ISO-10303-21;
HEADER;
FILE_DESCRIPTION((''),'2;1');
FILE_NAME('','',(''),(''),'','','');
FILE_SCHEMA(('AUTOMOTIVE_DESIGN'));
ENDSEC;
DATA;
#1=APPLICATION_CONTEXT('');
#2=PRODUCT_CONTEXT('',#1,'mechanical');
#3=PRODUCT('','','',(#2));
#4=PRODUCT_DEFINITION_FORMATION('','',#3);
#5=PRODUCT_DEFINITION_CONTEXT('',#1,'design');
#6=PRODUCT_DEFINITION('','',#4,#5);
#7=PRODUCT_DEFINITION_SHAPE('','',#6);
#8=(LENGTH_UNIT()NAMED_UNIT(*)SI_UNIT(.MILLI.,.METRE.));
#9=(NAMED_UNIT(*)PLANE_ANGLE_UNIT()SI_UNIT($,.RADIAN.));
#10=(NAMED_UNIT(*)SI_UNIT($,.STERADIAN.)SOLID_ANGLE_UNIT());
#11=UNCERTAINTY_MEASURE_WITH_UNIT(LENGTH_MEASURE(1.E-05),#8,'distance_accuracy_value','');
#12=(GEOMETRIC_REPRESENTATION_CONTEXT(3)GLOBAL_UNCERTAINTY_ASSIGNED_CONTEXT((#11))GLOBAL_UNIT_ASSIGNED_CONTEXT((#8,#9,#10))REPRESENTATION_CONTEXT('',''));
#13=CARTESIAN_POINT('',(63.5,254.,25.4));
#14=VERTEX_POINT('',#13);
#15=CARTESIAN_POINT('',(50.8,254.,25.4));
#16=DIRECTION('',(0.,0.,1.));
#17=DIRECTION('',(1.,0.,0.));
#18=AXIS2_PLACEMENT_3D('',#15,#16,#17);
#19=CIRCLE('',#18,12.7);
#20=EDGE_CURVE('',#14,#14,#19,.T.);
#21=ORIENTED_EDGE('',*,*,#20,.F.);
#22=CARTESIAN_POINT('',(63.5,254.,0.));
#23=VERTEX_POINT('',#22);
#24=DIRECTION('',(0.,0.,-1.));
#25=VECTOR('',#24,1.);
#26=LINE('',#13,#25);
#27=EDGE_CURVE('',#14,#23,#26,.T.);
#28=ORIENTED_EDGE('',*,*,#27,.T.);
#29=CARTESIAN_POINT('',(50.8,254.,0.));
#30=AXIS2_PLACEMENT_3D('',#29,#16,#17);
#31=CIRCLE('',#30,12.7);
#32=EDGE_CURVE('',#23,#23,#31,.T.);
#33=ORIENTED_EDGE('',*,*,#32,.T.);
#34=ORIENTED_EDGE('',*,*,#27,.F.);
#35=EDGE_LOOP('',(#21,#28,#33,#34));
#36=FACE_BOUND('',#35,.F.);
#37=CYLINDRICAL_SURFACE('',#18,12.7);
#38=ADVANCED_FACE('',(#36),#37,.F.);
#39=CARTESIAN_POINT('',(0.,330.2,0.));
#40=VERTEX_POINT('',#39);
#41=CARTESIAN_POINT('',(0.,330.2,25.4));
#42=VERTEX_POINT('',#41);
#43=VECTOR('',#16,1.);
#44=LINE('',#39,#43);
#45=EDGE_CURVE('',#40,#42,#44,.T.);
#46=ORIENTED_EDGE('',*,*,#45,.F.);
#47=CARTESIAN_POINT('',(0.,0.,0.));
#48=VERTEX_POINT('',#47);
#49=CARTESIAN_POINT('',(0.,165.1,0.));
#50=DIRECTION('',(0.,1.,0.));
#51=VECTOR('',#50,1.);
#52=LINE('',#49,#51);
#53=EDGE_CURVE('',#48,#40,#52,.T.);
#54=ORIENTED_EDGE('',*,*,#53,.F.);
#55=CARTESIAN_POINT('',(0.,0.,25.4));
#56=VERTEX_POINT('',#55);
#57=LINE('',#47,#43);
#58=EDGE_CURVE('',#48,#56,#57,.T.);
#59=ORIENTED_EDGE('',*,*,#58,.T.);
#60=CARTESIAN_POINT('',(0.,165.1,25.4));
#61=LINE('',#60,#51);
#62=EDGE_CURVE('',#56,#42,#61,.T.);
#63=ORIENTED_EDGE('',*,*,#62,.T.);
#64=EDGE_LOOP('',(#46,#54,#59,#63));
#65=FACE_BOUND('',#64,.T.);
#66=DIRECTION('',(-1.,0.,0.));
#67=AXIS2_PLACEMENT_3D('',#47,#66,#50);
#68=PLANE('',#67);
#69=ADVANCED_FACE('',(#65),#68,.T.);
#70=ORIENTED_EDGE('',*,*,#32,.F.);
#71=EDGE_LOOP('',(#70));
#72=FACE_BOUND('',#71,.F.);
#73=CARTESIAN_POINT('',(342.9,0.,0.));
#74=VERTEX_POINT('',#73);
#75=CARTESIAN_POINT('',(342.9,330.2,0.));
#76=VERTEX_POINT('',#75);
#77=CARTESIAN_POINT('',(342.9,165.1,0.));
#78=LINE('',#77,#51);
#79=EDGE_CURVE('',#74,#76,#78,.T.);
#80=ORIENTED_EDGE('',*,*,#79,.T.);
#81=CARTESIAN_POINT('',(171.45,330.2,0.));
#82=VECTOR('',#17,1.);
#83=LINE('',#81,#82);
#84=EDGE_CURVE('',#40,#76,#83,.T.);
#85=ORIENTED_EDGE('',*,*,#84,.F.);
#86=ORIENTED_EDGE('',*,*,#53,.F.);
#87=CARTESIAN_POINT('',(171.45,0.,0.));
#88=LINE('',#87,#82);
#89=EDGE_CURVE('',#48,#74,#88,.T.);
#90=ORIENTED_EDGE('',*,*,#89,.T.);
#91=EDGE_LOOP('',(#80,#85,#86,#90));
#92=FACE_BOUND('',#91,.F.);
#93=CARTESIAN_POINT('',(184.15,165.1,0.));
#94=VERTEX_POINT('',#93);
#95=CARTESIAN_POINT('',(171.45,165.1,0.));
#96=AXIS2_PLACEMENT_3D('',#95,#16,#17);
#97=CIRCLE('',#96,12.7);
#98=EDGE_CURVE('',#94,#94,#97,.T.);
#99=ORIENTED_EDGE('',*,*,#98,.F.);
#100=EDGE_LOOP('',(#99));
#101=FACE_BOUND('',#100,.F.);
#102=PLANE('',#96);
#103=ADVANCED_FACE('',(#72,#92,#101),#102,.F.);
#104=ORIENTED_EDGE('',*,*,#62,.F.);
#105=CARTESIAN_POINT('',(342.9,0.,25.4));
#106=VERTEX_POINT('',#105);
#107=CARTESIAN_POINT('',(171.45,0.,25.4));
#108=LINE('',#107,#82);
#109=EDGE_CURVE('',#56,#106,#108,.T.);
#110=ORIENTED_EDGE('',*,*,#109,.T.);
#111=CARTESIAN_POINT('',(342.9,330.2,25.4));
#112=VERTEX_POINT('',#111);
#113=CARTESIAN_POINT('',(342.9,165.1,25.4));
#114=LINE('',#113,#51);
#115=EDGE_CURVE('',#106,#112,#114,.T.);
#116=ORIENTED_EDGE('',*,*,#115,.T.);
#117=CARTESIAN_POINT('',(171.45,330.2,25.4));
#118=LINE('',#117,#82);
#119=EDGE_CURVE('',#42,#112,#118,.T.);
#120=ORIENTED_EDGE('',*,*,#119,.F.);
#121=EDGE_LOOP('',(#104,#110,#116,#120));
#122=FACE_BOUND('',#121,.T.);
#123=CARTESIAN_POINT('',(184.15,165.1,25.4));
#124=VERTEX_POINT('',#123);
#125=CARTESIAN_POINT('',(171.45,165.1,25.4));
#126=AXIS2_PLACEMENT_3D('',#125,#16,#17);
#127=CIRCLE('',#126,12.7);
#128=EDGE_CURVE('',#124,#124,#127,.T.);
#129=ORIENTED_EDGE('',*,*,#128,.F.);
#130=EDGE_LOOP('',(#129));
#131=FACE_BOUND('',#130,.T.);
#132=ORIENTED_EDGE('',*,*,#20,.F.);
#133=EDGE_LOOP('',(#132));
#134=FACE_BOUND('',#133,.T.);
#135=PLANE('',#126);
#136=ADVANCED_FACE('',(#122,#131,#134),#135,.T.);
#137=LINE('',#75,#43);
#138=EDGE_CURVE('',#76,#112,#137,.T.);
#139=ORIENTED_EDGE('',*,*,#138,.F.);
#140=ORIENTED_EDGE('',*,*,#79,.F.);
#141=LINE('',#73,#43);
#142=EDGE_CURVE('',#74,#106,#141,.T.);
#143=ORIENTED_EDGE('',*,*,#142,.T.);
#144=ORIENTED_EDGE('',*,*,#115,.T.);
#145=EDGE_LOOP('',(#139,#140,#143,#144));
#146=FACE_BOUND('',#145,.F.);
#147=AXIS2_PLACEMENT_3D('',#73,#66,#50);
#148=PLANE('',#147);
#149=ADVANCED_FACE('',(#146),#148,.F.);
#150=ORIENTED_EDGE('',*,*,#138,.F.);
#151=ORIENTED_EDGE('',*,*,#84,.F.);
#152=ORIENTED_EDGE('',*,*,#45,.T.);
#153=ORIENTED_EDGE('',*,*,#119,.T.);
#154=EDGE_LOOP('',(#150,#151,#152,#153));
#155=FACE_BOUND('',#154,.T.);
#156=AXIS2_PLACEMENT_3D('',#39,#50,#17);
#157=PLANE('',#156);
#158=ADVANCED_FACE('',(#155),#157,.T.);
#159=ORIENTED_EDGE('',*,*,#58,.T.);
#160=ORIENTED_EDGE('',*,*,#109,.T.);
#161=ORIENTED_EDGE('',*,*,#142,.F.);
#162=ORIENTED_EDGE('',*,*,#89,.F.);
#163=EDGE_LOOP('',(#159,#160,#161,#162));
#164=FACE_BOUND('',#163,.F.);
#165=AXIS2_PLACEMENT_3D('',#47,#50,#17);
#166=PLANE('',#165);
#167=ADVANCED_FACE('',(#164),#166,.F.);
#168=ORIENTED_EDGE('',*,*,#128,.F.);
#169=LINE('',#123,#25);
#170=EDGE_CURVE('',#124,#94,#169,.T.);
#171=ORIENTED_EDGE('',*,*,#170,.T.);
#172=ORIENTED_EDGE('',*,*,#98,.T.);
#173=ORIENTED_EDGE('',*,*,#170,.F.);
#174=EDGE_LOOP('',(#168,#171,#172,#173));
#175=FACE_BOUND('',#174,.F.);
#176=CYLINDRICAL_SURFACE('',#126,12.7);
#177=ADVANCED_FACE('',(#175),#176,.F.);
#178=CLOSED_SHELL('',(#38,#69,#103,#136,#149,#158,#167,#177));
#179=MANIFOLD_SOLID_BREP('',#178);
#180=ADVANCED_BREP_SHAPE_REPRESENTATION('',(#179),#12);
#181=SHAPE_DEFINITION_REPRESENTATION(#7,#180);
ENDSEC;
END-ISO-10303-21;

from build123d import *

# Parameters (mm, degrees)
F0_W     = 342.9
F0_H     = 330.2
F1_DEPTH = 25.4
F2_R     = 12.7
F3_DEPTH = 25.401
F4_R     = 12.7
F5_DEPTH = 25.401


with BuildPart() as f1:
    # F0 (on Top) → F1 (new body)
    with BuildSketch(Plane.XY):
        with Locations((171.45, 165.1)):
            Rectangle(F0_W, F0_H)
    extrude(amount=F1_DEPTH)

    # F2 (on face) → F3 (cut, through all)
    with BuildSketch(Plane.XY.offset(25.4)):
        with Locations((50.8, 254)):
            Circle(F2_R)
    extrude(amount=-F3_DEPTH, mode=Mode.SUBTRACT)

    # F4 (on face) → F5 (cut, through all)
    with BuildSketch(Plane.XY.offset(25.4)):
        with Locations((171.45, 165.1)):
            Circle(F4_R)
    extrude(amount=-F5_DEPTH, mode=Mode.SUBTRACT)


solid = f1.part
